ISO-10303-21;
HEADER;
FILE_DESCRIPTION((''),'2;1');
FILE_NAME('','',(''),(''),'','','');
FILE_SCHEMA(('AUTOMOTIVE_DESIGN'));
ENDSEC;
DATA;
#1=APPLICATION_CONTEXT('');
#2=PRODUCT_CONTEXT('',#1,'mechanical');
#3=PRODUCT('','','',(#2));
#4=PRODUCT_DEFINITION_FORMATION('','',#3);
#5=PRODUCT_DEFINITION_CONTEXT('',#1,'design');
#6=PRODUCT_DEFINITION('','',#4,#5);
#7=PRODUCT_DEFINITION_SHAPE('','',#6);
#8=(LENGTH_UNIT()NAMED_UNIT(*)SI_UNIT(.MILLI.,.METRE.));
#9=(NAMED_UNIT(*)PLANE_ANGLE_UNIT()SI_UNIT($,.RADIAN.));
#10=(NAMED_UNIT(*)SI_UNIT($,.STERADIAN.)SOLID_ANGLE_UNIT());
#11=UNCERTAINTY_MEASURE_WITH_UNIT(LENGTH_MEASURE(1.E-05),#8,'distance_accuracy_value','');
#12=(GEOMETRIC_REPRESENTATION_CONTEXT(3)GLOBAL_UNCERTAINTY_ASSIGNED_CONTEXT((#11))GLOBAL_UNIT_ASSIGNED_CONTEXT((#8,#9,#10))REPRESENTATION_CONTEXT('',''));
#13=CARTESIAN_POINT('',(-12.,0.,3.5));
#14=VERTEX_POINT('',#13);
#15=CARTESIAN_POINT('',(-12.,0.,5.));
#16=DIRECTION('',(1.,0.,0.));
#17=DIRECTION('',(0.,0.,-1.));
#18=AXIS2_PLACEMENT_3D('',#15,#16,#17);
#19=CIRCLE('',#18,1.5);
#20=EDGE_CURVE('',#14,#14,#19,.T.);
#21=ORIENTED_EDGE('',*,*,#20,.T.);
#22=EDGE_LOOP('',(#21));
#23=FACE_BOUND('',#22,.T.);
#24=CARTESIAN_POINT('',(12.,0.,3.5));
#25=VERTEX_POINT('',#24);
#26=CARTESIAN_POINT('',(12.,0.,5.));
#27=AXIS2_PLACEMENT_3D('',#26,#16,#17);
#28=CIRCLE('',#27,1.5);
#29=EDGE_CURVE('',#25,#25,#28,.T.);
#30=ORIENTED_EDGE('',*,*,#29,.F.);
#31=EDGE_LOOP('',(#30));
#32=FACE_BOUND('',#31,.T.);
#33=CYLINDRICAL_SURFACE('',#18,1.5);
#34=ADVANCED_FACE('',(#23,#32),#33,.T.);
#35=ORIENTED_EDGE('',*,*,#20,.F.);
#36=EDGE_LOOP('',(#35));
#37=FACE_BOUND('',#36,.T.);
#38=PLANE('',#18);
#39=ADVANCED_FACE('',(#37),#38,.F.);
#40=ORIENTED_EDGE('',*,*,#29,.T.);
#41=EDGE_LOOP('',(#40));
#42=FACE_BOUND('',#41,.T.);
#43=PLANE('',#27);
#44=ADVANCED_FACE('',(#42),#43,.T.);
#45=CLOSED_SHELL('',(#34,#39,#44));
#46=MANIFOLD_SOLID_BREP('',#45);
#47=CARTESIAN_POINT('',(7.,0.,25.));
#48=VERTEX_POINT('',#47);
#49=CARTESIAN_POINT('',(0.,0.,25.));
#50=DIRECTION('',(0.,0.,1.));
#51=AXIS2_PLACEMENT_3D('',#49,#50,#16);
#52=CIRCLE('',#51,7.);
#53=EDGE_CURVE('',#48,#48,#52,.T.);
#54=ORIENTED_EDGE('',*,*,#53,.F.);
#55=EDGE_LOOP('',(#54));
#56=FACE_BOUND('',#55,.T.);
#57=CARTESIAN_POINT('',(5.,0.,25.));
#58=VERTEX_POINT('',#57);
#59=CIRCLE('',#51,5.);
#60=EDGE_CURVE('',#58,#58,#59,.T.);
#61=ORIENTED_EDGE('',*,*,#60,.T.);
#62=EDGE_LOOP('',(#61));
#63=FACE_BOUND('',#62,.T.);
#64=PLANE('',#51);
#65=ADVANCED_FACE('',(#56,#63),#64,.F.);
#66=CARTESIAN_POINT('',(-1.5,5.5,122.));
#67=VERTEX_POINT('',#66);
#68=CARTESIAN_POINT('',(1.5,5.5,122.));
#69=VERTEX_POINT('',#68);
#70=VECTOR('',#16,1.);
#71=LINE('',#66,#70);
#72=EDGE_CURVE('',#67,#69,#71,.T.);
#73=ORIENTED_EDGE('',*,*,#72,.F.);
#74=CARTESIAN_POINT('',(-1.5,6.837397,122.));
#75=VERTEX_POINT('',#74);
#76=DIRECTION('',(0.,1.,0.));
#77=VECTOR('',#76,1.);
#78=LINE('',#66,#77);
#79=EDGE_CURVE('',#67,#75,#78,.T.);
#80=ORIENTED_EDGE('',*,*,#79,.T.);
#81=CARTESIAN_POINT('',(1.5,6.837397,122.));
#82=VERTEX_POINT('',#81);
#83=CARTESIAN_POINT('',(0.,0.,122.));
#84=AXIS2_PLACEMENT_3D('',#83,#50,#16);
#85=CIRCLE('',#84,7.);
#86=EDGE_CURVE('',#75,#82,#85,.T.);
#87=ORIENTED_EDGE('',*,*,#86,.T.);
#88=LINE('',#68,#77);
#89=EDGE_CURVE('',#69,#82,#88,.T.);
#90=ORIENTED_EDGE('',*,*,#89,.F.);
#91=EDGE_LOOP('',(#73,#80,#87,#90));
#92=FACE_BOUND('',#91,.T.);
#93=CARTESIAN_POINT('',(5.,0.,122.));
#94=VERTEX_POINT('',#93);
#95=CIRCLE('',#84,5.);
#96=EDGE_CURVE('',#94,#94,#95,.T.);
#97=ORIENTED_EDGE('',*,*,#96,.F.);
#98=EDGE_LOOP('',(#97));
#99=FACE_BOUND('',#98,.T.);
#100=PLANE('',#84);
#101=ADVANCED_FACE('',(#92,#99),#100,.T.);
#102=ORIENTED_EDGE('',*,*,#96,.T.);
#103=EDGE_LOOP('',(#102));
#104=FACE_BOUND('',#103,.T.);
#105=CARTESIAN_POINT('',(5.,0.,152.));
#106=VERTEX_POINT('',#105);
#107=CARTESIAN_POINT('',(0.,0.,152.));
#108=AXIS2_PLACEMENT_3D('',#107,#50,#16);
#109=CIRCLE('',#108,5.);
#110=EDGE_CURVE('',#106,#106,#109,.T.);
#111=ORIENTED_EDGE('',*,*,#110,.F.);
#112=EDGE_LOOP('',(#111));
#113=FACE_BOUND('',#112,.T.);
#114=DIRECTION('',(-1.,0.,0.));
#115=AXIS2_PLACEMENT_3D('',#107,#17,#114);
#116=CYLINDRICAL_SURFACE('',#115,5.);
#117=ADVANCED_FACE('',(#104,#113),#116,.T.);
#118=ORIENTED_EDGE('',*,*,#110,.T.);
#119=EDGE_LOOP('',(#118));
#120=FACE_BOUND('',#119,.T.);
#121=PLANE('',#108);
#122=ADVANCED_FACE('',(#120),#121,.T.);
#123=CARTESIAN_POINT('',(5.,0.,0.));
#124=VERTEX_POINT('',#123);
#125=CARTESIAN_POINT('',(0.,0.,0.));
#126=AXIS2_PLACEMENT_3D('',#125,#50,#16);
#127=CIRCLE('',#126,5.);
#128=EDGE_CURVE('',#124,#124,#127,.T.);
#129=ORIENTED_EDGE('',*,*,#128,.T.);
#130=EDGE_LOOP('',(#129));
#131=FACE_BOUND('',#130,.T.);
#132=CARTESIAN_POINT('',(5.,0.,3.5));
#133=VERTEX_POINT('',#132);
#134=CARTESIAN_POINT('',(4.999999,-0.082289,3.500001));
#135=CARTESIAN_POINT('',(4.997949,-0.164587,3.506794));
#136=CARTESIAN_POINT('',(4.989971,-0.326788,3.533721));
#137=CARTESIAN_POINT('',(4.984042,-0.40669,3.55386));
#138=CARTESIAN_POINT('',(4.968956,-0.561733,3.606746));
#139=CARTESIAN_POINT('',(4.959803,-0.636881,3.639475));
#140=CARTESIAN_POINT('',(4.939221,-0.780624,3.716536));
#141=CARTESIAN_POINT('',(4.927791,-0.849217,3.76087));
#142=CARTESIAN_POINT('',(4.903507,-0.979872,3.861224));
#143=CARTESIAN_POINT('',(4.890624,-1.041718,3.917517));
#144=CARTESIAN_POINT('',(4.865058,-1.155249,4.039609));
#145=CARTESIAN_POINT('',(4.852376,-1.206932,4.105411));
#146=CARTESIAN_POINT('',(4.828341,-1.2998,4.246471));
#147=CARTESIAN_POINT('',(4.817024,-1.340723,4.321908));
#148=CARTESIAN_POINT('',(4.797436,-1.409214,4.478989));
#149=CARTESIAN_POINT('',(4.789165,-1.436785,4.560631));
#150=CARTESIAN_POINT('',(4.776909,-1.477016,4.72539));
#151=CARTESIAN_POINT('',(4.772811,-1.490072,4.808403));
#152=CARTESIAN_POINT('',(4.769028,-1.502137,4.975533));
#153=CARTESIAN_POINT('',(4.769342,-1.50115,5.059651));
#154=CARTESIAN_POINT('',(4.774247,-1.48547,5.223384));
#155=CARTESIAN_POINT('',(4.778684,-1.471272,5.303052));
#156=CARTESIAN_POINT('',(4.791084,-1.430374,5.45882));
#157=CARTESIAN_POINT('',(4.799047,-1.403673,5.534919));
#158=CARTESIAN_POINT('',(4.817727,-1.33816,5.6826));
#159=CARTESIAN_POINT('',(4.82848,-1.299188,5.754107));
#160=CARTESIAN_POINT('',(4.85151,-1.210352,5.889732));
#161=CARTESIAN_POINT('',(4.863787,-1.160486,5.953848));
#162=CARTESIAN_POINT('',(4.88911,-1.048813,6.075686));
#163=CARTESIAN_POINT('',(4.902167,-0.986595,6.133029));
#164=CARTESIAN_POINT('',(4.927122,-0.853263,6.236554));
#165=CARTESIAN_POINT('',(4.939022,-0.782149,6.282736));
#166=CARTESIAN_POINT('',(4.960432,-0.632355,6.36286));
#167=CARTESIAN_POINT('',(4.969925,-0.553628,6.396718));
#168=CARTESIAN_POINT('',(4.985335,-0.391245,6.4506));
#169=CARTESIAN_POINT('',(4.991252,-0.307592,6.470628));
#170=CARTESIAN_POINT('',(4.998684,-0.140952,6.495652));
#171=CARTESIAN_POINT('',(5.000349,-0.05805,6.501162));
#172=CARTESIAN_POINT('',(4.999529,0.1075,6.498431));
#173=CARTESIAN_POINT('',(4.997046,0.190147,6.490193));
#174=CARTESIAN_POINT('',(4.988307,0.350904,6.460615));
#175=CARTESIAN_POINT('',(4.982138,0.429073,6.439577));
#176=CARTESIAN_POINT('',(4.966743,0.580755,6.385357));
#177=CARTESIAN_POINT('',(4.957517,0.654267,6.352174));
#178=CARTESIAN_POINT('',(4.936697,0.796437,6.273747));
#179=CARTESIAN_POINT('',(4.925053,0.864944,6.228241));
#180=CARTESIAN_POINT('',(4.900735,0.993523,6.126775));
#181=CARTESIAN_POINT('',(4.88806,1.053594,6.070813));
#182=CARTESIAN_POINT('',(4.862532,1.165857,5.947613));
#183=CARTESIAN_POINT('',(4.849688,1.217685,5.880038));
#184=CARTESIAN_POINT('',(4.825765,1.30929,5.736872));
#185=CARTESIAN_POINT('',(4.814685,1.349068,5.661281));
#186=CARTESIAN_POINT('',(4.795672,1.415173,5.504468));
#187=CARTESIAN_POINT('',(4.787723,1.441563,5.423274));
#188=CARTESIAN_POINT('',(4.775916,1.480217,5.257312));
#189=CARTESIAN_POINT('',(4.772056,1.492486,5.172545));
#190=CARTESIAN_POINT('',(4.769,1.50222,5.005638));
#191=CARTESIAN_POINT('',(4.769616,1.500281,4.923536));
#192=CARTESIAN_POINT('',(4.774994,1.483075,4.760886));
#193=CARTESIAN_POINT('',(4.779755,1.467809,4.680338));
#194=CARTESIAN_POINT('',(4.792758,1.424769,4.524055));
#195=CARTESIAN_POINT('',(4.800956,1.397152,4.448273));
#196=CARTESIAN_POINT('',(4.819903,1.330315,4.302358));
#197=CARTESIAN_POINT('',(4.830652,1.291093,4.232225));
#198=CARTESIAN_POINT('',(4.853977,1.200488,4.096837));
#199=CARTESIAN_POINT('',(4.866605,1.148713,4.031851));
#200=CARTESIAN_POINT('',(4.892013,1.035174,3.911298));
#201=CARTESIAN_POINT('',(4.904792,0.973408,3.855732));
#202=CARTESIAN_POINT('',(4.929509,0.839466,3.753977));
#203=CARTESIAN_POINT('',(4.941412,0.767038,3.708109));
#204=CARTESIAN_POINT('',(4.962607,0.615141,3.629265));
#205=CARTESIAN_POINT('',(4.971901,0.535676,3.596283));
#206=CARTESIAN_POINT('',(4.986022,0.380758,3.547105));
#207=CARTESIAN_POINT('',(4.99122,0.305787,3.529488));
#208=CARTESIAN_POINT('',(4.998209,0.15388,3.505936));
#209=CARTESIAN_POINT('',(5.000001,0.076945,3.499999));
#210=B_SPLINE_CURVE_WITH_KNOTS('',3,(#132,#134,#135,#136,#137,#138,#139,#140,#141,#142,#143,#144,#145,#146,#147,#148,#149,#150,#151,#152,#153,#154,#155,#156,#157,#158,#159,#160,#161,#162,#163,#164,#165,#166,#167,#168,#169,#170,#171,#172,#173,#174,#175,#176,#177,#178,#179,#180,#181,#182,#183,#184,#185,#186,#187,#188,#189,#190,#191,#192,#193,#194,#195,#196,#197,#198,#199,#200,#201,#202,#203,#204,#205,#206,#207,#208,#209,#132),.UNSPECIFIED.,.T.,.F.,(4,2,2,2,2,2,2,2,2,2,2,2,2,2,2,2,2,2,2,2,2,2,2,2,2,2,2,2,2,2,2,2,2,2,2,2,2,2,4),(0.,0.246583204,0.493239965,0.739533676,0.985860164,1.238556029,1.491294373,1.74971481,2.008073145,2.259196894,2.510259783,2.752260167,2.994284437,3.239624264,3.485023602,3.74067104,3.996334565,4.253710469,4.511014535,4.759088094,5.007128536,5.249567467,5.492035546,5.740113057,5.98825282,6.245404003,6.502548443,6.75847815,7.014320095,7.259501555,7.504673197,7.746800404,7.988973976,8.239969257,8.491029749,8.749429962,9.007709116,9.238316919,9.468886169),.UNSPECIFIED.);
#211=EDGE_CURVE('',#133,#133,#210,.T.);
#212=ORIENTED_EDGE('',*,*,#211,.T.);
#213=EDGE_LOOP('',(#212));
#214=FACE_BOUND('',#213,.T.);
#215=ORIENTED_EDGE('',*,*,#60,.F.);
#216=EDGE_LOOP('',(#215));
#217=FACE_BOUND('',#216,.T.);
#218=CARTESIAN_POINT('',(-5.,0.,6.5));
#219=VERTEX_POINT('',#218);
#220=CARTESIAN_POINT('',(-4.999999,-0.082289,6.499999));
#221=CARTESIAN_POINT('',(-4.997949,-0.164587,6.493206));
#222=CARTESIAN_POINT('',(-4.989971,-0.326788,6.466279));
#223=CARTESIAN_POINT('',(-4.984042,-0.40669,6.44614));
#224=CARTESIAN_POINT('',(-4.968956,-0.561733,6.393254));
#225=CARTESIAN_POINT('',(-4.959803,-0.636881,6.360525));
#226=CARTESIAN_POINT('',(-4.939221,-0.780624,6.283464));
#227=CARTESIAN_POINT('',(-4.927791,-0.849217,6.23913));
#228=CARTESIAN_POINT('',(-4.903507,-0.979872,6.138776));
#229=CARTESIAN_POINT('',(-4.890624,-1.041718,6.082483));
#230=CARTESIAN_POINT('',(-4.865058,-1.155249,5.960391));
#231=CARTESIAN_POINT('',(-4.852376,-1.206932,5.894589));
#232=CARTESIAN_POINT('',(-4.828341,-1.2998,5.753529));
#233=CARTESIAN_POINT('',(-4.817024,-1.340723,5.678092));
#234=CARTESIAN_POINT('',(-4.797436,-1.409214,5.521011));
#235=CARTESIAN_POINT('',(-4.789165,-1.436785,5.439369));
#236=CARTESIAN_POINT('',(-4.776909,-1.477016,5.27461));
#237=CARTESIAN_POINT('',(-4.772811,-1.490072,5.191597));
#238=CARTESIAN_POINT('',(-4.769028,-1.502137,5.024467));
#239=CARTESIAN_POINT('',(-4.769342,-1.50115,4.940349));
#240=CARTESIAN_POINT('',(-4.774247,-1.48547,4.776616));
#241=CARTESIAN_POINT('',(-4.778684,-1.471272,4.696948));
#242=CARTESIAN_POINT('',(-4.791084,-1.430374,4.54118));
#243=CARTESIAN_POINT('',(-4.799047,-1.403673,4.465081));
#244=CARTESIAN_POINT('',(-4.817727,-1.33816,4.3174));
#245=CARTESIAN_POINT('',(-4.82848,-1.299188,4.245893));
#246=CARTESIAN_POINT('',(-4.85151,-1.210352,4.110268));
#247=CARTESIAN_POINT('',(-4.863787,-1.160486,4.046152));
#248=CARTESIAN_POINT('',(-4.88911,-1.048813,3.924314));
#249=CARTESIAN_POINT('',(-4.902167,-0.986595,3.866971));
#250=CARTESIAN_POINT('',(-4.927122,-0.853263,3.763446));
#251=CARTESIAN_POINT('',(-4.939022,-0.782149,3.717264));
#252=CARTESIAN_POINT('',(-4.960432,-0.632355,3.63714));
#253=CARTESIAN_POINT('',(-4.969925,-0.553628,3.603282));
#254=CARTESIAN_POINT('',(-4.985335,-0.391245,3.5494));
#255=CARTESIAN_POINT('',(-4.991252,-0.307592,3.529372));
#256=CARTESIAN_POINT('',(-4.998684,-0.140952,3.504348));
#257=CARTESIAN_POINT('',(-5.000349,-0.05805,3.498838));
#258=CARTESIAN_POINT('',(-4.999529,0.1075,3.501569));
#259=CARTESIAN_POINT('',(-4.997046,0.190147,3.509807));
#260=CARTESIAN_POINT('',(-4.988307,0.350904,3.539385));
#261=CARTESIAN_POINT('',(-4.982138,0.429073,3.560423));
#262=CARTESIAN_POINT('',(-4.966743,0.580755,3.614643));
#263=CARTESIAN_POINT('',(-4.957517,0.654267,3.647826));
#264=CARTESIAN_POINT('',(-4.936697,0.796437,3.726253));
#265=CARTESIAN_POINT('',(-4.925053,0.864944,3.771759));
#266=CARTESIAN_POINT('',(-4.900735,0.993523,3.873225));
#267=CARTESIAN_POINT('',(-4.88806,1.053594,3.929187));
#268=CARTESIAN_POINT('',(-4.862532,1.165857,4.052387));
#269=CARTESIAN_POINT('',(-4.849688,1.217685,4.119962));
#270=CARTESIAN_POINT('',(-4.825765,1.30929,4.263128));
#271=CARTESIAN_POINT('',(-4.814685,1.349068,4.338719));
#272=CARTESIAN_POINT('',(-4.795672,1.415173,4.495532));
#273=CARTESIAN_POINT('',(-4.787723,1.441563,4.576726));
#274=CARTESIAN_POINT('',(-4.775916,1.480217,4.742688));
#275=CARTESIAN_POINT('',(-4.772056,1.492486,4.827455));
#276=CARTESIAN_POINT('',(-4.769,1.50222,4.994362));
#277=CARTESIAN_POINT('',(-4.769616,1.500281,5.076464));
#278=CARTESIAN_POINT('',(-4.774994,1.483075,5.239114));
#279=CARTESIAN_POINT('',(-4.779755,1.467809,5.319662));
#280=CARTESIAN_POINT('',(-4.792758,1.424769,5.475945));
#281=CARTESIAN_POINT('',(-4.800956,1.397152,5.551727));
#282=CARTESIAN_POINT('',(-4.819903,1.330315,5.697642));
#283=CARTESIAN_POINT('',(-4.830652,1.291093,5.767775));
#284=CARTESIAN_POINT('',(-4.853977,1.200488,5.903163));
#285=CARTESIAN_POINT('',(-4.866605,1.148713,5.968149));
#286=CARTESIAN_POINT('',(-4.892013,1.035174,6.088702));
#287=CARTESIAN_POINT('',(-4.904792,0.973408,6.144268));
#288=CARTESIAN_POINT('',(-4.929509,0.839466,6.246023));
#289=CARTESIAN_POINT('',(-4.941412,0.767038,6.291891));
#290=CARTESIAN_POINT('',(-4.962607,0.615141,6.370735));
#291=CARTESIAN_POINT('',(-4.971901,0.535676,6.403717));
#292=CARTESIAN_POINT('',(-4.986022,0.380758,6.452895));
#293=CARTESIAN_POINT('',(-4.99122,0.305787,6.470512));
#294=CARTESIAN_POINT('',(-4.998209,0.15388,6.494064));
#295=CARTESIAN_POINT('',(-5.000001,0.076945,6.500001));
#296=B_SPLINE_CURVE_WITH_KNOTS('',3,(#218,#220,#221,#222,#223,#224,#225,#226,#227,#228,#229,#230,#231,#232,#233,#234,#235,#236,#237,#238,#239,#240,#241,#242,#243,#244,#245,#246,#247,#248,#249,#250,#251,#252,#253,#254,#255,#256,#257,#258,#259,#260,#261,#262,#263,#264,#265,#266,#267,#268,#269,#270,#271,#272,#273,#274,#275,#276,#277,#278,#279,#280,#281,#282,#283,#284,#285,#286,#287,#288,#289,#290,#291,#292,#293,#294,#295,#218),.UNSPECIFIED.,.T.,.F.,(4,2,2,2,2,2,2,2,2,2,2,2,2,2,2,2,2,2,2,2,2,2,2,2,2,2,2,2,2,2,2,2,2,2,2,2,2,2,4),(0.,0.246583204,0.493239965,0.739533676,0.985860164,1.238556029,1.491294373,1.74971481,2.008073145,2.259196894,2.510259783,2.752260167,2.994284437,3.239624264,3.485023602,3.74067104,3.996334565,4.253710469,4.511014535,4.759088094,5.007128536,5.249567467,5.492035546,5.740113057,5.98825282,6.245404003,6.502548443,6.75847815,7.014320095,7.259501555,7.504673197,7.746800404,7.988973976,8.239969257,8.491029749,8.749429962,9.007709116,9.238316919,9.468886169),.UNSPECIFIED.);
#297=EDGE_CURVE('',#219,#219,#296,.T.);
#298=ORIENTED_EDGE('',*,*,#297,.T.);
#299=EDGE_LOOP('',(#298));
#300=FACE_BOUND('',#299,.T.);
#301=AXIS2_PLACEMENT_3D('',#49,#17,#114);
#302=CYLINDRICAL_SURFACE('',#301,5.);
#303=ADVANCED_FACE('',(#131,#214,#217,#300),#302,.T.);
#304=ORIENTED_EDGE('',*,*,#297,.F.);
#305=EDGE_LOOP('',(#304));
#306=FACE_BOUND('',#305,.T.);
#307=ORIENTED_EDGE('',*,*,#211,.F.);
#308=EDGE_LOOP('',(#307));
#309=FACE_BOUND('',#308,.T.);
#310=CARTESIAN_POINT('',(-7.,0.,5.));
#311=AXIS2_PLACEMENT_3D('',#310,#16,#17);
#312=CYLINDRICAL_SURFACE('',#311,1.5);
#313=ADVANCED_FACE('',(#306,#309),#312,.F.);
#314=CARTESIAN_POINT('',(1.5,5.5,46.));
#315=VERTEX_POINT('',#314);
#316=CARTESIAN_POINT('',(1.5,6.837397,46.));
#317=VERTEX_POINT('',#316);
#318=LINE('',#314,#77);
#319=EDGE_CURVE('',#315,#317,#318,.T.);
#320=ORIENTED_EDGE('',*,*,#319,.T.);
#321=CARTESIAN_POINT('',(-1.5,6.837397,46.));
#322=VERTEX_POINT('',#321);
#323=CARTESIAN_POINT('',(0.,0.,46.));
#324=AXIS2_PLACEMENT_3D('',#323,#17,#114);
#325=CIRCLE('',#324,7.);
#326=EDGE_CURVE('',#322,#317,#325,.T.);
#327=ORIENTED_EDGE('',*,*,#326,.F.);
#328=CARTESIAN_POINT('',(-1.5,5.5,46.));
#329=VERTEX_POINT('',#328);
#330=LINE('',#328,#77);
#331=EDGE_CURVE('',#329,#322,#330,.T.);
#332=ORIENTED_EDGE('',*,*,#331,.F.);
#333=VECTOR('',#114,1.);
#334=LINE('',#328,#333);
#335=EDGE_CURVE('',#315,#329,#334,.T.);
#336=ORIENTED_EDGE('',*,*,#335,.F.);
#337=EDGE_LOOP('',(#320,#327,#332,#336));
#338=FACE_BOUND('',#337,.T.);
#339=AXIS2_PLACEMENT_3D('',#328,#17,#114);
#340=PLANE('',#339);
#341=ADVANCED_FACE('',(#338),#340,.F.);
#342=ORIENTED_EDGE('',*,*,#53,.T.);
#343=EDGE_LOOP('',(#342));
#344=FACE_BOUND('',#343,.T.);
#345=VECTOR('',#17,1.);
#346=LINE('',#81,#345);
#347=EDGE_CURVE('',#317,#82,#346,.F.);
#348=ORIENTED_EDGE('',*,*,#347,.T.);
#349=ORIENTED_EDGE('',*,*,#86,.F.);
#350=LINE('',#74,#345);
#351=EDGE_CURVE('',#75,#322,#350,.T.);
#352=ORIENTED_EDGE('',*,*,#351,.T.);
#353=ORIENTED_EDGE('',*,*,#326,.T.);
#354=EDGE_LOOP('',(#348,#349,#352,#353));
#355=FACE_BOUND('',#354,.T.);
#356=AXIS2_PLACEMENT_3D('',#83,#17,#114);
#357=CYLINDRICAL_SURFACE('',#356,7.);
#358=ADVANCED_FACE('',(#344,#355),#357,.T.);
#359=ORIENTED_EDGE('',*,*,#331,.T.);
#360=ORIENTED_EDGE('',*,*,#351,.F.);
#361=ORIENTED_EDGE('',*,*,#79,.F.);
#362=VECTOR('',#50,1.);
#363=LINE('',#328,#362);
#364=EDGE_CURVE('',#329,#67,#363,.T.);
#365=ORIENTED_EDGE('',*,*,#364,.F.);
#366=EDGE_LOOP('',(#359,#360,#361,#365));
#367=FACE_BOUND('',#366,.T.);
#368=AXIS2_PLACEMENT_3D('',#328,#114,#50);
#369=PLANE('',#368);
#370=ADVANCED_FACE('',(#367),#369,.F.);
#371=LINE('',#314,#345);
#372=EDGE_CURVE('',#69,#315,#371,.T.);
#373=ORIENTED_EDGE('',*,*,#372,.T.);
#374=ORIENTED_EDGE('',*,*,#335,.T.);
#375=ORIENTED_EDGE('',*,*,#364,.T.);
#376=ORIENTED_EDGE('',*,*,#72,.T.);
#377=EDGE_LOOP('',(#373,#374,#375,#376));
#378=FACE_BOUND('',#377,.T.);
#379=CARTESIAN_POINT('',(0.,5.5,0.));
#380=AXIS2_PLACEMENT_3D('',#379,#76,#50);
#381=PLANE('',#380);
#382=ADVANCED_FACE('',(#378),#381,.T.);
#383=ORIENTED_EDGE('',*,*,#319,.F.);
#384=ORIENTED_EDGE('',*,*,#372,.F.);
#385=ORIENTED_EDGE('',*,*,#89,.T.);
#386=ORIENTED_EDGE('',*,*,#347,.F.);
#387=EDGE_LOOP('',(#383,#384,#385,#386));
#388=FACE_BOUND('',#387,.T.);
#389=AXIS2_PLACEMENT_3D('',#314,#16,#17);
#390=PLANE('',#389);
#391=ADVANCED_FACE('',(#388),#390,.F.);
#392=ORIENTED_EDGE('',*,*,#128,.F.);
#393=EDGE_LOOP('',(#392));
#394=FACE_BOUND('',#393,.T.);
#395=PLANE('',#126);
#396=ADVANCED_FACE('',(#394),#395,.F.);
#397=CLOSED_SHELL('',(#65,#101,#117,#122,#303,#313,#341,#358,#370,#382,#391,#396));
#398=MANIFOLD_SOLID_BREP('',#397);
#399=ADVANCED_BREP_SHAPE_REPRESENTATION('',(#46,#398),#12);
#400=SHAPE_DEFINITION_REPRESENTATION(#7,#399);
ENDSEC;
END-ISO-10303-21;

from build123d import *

# Parameters (mm, degrees)
SKETCH1_R                = 5
BOSS_EXTRUDE1_DEPTH      = 25
SKETCH2_R                = 7
BOSS_EXTRUDE2_DEPTH      = 97
SKETCH3_R                = 5
BOSS_EXTRUDE3_DEPTH      = 30
CUT_EXTRUDE1_START       = 7
SKETCH4_W                = 3
SKETCH4_H                = 76
CUT_EXTRUDE1_DEPTH       = 1.5
CUT_EXTRUDE2_DEPTH       = 153.322027297
CUT_EXTRUDE2_DEPTH_BACK  = 153.322027297
SKETCH5_R                = 1.5
BOSS_EXTRUDE4_DEPTH      = 12
BOSS_EXTRUDE4_DEPTH_BACK = 12
SKETCH6_R                = 1.5


with BuildPart() as part:
    # Sketch1 → Boss-Extrude1 (new body)
    with BuildSketch(Plane.XY):
        Circle(SKETCH1_R)
    extrude(amount=BOSS_EXTRUDE1_DEPTH)

    # Sketch2 → Boss-Extrude2 (add)
    with BuildSketch(Plane.XY.offset(25)):
        with Locations(Location((0, 0, 0), (0, 0, 180))):
            Circle(SKETCH2_R)
    extrude(amount=BOSS_EXTRUDE2_DEPTH)

    # Sketch3 → Boss-Extrude3 (add)
    with BuildSketch(Plane.XY.offset(122)):
        Circle(SKETCH3_R)
    extrude(amount=BOSS_EXTRUDE3_DEPTH)

    # Sketch4 → Cut-Extrude1 (cut)
    with BuildSketch(Plane(origin=(0, 0, 0), x_dir=(1, 0, 0), z_dir=(0, 1, 0)).offset(CUT_EXTRUDE1_START)):
        with Locations((0, -84)):
            Rectangle(SKETCH4_W, SKETCH4_H)
    extrude(amount=-CUT_EXTRUDE1_DEPTH, mode=Mode.SUBTRACT)

    # Sketch5 → Cut-Extrude2 (cut, two sides: drawn at the far end of the back side and taken through both)
    with BuildSketch(Plane(origin=(0, 0, 0), x_dir=(0, 0, -1), z_dir=(1, 0, 0)).offset(-CUT_EXTRUDE2_DEPTH_BACK)):
        with Locations(Location((-5, 0, 0), (0, 0, 179.999999999))):
            Circle(SKETCH5_R)
    extrude(amount=CUT_EXTRUDE2_DEPTH + CUT_EXTRUDE2_DEPTH_BACK, mode=Mode.SUBTRACT)


with BuildPart() as body_2:
    # Sketch6 → Boss-Extrude4 (new, two sides: drawn at the far end of the back side and taken through both)
    with BuildSketch(Plane(origin=(0, 0, 0), x_dir=(0, 0, -1), z_dir=(1, 0, 0)).offset(-BOSS_EXTRUDE4_DEPTH_BACK)):
        with Locations((-5, 0)):
            Circle(SKETCH6_R)
    extrude(amount=BOSS_EXTRUDE4_DEPTH + BOSS_EXTRUDE4_DEPTH_BACK)


solid = Compound([part.part, body_2.part])
